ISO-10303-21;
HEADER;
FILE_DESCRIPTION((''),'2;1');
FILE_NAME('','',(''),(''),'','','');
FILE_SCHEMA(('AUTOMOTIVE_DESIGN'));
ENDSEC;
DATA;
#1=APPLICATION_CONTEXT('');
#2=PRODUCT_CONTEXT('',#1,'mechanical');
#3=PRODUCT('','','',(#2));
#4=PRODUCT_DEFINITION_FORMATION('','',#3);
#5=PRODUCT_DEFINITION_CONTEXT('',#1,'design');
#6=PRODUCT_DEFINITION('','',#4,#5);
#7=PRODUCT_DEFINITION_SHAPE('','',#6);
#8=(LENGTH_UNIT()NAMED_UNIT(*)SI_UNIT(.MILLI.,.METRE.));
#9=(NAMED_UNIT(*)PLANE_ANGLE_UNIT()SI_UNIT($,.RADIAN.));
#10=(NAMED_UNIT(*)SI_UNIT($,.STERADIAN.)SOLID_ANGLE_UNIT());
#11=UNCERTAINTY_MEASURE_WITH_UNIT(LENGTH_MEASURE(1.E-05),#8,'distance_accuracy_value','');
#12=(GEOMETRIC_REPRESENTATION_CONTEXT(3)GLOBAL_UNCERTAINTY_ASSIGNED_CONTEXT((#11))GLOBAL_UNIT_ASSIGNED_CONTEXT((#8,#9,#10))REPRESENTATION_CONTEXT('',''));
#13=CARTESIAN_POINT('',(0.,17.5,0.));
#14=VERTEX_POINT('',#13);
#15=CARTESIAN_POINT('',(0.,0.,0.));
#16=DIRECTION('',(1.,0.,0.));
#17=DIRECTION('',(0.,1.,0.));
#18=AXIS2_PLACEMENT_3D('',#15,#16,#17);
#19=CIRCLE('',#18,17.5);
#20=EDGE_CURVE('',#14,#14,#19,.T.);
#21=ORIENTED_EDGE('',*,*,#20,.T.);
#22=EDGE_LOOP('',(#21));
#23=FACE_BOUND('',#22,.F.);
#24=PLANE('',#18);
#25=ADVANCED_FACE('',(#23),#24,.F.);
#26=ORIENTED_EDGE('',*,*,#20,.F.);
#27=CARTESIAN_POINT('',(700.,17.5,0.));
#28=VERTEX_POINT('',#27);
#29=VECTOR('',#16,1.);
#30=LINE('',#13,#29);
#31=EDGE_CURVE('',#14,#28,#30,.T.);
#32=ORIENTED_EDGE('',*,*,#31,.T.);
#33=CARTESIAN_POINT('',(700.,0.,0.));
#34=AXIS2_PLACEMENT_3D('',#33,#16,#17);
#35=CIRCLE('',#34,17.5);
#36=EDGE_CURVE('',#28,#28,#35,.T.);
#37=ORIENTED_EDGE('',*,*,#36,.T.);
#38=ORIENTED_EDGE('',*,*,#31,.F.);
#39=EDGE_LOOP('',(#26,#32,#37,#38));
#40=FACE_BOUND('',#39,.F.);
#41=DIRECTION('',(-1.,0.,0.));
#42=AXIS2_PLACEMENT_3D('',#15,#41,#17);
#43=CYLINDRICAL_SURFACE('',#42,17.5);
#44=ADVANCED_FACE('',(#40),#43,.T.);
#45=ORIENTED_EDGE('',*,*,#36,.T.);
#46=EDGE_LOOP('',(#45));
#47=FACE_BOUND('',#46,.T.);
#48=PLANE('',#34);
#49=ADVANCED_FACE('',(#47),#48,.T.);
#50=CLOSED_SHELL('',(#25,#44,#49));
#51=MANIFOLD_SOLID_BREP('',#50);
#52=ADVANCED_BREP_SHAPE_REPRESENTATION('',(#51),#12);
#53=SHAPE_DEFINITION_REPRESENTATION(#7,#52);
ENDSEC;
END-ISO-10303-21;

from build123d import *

# Parameters (mm, degrees)
F0_R     = 17.5
F0_R_2   = 15.5
F1_DEPTH = 700


with BuildPart() as f1:
    # F0 (on Right) → F1 (new body)
    with BuildSketch(Plane.YZ):
        Circle(F0_R)
        Circle(F0_R_2, mode=Mode.SUBTRACT)
        Circle(F0_R_2)
    extrude(amount=F1_DEPTH)


solid = f1.part
